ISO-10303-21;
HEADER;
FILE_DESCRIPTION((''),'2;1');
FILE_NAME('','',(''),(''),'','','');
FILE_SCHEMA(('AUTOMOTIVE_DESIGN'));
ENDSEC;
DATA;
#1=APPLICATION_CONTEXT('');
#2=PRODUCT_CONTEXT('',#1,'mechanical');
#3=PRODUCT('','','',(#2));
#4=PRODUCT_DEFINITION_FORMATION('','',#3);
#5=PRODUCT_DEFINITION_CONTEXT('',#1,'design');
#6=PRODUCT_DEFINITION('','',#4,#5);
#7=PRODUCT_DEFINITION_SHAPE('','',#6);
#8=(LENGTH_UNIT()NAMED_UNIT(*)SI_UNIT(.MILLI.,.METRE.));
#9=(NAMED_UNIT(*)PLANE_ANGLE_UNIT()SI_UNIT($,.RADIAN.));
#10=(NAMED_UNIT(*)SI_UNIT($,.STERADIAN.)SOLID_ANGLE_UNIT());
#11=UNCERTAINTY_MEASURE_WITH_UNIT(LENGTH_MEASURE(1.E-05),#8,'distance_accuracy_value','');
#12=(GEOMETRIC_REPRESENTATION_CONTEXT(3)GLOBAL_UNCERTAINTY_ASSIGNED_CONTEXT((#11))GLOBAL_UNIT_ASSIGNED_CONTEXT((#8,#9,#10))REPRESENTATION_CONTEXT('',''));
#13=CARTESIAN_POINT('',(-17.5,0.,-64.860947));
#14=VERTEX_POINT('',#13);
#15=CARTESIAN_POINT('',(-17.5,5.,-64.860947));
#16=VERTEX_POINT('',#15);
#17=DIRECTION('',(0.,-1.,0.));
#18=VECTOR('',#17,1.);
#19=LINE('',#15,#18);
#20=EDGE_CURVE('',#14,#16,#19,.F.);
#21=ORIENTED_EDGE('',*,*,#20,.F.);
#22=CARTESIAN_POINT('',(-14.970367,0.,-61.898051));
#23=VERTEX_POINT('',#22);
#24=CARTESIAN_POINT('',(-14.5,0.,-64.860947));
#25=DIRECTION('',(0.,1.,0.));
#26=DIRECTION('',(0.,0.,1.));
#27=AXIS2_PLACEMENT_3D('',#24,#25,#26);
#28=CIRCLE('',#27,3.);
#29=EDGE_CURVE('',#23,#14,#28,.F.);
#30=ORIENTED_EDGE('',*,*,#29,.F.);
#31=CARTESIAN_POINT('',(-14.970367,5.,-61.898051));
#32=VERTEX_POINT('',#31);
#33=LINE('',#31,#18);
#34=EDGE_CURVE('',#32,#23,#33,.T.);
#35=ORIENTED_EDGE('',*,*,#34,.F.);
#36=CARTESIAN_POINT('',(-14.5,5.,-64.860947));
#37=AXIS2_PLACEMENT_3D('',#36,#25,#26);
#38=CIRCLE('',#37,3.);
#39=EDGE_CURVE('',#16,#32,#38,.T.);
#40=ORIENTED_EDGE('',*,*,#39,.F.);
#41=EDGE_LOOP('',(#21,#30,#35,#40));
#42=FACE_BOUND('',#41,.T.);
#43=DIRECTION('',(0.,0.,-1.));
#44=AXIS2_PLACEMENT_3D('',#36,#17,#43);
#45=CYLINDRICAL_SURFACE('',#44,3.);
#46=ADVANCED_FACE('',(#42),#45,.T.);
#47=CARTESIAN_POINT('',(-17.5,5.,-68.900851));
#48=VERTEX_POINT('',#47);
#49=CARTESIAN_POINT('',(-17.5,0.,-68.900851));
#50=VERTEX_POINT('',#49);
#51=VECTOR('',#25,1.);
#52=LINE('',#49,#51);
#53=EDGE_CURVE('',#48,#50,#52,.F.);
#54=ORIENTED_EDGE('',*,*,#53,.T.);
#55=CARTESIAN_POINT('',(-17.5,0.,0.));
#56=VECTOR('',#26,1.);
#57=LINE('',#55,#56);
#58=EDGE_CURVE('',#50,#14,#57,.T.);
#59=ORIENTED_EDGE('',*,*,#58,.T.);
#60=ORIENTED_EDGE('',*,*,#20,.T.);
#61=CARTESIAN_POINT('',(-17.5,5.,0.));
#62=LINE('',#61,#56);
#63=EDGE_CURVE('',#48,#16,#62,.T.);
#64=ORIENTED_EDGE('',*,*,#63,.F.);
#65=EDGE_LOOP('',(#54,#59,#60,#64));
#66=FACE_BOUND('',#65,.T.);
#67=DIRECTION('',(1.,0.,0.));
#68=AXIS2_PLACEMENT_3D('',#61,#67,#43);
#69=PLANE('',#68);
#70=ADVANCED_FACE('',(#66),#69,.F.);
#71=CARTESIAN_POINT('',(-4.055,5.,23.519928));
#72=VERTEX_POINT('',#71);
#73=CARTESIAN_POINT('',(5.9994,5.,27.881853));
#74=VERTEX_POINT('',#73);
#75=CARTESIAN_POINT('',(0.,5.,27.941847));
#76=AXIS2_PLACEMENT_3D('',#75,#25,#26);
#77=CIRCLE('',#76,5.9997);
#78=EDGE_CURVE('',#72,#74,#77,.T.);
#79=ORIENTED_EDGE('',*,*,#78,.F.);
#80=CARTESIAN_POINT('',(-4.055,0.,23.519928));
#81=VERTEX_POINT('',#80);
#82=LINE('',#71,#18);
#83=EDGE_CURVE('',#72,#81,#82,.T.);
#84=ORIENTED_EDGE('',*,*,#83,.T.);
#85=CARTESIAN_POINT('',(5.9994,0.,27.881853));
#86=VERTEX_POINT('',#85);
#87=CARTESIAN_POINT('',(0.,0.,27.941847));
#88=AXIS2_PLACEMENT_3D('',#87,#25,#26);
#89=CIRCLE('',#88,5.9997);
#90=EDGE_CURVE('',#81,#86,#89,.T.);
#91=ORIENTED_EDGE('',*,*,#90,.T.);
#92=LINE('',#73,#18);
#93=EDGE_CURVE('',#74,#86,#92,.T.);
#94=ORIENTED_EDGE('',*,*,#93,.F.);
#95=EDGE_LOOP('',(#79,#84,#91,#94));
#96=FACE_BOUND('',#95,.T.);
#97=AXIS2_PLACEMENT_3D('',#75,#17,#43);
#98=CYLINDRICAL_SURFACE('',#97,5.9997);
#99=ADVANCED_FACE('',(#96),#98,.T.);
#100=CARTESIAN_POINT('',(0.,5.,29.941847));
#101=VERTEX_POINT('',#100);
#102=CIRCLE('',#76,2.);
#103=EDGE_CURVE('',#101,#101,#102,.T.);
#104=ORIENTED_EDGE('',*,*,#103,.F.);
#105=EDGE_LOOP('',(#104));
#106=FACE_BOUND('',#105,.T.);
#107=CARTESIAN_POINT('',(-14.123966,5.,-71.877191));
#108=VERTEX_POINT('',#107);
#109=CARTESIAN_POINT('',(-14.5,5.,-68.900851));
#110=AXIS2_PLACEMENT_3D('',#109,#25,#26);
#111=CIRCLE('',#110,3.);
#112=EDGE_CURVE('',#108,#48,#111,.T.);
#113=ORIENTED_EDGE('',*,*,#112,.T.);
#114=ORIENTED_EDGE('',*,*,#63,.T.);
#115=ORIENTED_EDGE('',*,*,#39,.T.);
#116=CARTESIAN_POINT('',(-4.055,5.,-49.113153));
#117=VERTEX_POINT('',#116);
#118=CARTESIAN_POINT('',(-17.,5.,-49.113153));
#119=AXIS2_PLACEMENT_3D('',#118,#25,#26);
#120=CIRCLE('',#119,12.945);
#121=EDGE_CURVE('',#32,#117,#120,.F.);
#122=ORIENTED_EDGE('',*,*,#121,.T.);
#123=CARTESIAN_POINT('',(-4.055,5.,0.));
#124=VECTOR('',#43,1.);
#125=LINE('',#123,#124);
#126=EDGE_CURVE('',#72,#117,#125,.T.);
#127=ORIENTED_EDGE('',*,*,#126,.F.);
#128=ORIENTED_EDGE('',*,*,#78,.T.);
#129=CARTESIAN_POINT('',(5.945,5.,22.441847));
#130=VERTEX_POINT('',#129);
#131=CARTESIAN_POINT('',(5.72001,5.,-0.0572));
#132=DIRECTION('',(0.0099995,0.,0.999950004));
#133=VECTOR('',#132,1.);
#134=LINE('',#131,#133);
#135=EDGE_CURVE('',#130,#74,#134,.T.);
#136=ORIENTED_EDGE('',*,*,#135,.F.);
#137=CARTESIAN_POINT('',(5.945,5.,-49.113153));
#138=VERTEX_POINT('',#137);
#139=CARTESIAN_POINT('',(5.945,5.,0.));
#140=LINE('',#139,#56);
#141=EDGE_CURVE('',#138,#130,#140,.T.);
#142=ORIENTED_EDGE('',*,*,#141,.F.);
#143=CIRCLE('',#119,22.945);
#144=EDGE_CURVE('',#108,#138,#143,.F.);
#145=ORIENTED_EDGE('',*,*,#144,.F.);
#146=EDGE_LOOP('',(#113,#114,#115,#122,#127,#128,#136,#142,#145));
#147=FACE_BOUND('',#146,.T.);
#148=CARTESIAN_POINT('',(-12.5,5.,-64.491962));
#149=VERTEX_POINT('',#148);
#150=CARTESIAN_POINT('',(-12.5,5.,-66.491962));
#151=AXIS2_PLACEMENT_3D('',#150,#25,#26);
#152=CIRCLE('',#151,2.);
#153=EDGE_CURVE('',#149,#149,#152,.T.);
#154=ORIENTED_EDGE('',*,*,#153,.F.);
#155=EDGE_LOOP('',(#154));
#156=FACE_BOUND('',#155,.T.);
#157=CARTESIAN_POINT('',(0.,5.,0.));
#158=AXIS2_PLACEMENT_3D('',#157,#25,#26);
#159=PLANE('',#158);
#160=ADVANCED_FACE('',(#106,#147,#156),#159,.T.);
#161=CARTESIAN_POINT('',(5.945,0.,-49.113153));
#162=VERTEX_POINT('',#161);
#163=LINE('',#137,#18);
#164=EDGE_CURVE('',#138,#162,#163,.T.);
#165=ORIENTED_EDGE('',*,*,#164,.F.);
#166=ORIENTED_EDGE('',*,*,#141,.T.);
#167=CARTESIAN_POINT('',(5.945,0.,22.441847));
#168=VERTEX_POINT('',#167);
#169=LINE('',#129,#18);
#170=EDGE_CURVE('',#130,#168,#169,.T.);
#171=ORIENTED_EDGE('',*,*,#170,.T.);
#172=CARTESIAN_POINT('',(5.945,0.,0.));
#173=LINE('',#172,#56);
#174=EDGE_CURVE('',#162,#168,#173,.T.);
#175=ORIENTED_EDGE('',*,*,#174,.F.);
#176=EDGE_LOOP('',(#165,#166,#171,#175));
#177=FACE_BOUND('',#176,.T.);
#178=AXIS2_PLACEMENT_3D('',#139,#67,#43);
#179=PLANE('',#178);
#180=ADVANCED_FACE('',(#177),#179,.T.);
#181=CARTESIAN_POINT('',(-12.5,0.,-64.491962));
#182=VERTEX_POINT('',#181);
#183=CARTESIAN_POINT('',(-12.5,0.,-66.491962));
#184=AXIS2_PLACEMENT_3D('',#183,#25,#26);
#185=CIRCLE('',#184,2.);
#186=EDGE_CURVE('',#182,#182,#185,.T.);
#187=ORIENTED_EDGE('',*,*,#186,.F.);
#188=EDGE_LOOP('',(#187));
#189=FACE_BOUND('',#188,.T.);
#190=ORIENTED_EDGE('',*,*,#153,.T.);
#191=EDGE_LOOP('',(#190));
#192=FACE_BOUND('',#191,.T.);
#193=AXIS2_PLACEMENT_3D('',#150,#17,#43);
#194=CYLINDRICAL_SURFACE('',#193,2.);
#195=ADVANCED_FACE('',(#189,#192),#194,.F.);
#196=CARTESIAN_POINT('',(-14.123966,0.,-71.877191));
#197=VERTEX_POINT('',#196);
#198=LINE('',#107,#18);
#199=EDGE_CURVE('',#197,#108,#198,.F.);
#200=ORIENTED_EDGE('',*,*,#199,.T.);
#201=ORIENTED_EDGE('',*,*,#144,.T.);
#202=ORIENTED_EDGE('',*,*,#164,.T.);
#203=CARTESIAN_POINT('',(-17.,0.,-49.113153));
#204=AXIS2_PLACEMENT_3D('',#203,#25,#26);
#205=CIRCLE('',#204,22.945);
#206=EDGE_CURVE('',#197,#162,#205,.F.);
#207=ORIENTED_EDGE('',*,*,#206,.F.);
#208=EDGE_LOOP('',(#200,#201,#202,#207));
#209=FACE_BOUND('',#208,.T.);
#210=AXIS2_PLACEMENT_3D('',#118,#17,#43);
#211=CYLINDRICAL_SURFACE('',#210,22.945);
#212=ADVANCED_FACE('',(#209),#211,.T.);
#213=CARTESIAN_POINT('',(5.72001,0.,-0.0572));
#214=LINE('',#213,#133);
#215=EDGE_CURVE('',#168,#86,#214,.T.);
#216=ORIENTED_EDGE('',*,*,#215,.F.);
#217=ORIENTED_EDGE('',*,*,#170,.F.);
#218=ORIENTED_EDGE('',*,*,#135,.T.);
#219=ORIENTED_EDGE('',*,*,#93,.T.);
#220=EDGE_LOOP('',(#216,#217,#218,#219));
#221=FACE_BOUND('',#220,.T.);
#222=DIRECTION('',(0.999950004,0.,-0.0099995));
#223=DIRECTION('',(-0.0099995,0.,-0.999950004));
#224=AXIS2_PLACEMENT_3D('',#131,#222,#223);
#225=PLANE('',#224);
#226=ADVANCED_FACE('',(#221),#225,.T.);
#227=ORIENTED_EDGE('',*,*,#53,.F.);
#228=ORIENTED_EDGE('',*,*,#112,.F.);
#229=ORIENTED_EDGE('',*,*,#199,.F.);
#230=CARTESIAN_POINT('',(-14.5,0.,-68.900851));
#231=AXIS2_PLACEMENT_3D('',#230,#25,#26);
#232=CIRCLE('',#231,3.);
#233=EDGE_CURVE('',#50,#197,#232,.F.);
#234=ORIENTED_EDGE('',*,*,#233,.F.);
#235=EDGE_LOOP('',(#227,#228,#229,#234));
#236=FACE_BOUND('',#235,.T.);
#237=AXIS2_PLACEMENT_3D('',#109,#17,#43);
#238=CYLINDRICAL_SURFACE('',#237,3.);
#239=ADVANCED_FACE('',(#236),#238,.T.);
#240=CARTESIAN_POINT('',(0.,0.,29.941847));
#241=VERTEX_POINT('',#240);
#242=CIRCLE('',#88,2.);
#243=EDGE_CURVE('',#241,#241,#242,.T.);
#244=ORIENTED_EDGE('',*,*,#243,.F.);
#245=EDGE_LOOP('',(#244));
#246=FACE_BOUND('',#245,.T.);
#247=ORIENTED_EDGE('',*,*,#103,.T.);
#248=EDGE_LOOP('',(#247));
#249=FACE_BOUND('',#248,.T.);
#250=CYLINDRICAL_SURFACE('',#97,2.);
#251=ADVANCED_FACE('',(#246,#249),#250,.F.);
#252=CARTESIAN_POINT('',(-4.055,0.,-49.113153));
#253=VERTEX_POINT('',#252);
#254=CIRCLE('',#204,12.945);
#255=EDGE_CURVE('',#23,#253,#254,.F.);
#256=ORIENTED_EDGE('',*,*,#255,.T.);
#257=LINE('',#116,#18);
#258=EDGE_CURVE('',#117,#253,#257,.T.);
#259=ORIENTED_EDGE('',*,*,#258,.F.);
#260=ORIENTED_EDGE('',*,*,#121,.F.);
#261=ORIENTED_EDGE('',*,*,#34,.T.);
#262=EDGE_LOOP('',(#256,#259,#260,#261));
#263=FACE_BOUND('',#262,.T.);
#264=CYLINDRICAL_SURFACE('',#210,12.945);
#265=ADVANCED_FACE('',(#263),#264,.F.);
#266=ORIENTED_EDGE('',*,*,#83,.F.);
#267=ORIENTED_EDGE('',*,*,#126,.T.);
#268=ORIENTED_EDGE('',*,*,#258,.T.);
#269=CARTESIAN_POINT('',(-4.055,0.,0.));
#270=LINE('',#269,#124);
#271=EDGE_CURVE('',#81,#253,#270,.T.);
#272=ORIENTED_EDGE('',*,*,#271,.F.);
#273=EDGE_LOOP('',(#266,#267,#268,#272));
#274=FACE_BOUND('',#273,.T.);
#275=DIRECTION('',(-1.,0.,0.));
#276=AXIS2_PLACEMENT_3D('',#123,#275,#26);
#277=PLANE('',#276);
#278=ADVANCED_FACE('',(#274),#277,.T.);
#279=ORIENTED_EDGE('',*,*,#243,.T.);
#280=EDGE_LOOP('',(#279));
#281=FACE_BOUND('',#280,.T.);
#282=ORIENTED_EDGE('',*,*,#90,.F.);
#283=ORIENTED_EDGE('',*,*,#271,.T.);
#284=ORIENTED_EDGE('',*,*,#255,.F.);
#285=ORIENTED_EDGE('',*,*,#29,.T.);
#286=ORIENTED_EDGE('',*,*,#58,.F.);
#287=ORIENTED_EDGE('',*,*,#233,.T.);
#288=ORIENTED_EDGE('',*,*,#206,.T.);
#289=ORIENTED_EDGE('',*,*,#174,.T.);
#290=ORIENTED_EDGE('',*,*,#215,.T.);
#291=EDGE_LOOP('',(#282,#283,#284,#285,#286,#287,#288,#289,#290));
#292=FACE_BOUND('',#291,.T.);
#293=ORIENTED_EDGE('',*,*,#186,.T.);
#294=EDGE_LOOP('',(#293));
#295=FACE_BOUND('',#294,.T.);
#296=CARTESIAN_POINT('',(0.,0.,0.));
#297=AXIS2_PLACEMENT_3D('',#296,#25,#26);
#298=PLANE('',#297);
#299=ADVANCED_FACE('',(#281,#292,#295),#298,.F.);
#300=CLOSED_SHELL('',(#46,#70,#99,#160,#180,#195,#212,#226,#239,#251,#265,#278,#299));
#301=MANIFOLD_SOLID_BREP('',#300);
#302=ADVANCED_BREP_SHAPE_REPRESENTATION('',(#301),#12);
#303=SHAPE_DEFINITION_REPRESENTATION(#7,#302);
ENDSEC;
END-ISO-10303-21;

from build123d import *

# Parameters (mm, degrees)
SKETCH1_R           = 2
BOSS_EXTRUDE1_DEPTH = 5
FILLET1_R           = 3


with BuildPart() as part:
    # Sketch1 → Boss-Extrude1 (new body)
    with BuildSketch(Plane(origin=(0, 0, 0), x_dir=(1, 0, 0), z_dir=(0, 1, 0))):
        with BuildLine():
            Line((-4.055, 49.113152598), (-4.055, -16.120690269))
            Line((-4.055, -16.120690269), (-4.055, -23.51992753))
            ThreePointArc((-4.055, -23.51992753), (-2.3878384, -33.44590301), (5.99940006, -27.881853402))
            Line((5.99940006, -27.881853402), (5.945, -22.441847402))
            Line((5.945, -22.441847402), (5.945, 2.058152598))
            Line((5.945, 2.058152598), (5.945, 49.113152598))
            ThreePointArc((5.945, 49.113152598), (-0.775434906, 65.337717692), (-17, 72.058152598))
            Line((-17, 72.058152598), (-17.5, 72.058152598))
            Line((-17.5, 72.058152598), (-17.5, 62.058152598))
            Line((-17.5, 62.058152598), (-17, 62.058152598))
            ThreePointArc((-17, 62.058152598), (-7.846502718, 58.26664988), (-4.055, 49.113152598))
        make_face()
        with Locations((0, -27.941847402)):
            Circle(SKETCH1_R, mode=Mode.SUBTRACT)
        with Locations((-12.5, 66.491962252)):
            Circle(SKETCH1_R, mode=Mode.SUBTRACT)
    extrude(amount=BOSS_EXTRUDE1_DEPTH)

    # Fillet1
    fillet1_edges = [part.edges().sort_by_distance(p)[0] for p in [
        (-17.5, 2.5, -62.058152598),
        (-17.5, 2.5, -72.058152598),
    ]]
    fillet(fillet1_edges, radius=FILLET1_R)


solid = part.part
